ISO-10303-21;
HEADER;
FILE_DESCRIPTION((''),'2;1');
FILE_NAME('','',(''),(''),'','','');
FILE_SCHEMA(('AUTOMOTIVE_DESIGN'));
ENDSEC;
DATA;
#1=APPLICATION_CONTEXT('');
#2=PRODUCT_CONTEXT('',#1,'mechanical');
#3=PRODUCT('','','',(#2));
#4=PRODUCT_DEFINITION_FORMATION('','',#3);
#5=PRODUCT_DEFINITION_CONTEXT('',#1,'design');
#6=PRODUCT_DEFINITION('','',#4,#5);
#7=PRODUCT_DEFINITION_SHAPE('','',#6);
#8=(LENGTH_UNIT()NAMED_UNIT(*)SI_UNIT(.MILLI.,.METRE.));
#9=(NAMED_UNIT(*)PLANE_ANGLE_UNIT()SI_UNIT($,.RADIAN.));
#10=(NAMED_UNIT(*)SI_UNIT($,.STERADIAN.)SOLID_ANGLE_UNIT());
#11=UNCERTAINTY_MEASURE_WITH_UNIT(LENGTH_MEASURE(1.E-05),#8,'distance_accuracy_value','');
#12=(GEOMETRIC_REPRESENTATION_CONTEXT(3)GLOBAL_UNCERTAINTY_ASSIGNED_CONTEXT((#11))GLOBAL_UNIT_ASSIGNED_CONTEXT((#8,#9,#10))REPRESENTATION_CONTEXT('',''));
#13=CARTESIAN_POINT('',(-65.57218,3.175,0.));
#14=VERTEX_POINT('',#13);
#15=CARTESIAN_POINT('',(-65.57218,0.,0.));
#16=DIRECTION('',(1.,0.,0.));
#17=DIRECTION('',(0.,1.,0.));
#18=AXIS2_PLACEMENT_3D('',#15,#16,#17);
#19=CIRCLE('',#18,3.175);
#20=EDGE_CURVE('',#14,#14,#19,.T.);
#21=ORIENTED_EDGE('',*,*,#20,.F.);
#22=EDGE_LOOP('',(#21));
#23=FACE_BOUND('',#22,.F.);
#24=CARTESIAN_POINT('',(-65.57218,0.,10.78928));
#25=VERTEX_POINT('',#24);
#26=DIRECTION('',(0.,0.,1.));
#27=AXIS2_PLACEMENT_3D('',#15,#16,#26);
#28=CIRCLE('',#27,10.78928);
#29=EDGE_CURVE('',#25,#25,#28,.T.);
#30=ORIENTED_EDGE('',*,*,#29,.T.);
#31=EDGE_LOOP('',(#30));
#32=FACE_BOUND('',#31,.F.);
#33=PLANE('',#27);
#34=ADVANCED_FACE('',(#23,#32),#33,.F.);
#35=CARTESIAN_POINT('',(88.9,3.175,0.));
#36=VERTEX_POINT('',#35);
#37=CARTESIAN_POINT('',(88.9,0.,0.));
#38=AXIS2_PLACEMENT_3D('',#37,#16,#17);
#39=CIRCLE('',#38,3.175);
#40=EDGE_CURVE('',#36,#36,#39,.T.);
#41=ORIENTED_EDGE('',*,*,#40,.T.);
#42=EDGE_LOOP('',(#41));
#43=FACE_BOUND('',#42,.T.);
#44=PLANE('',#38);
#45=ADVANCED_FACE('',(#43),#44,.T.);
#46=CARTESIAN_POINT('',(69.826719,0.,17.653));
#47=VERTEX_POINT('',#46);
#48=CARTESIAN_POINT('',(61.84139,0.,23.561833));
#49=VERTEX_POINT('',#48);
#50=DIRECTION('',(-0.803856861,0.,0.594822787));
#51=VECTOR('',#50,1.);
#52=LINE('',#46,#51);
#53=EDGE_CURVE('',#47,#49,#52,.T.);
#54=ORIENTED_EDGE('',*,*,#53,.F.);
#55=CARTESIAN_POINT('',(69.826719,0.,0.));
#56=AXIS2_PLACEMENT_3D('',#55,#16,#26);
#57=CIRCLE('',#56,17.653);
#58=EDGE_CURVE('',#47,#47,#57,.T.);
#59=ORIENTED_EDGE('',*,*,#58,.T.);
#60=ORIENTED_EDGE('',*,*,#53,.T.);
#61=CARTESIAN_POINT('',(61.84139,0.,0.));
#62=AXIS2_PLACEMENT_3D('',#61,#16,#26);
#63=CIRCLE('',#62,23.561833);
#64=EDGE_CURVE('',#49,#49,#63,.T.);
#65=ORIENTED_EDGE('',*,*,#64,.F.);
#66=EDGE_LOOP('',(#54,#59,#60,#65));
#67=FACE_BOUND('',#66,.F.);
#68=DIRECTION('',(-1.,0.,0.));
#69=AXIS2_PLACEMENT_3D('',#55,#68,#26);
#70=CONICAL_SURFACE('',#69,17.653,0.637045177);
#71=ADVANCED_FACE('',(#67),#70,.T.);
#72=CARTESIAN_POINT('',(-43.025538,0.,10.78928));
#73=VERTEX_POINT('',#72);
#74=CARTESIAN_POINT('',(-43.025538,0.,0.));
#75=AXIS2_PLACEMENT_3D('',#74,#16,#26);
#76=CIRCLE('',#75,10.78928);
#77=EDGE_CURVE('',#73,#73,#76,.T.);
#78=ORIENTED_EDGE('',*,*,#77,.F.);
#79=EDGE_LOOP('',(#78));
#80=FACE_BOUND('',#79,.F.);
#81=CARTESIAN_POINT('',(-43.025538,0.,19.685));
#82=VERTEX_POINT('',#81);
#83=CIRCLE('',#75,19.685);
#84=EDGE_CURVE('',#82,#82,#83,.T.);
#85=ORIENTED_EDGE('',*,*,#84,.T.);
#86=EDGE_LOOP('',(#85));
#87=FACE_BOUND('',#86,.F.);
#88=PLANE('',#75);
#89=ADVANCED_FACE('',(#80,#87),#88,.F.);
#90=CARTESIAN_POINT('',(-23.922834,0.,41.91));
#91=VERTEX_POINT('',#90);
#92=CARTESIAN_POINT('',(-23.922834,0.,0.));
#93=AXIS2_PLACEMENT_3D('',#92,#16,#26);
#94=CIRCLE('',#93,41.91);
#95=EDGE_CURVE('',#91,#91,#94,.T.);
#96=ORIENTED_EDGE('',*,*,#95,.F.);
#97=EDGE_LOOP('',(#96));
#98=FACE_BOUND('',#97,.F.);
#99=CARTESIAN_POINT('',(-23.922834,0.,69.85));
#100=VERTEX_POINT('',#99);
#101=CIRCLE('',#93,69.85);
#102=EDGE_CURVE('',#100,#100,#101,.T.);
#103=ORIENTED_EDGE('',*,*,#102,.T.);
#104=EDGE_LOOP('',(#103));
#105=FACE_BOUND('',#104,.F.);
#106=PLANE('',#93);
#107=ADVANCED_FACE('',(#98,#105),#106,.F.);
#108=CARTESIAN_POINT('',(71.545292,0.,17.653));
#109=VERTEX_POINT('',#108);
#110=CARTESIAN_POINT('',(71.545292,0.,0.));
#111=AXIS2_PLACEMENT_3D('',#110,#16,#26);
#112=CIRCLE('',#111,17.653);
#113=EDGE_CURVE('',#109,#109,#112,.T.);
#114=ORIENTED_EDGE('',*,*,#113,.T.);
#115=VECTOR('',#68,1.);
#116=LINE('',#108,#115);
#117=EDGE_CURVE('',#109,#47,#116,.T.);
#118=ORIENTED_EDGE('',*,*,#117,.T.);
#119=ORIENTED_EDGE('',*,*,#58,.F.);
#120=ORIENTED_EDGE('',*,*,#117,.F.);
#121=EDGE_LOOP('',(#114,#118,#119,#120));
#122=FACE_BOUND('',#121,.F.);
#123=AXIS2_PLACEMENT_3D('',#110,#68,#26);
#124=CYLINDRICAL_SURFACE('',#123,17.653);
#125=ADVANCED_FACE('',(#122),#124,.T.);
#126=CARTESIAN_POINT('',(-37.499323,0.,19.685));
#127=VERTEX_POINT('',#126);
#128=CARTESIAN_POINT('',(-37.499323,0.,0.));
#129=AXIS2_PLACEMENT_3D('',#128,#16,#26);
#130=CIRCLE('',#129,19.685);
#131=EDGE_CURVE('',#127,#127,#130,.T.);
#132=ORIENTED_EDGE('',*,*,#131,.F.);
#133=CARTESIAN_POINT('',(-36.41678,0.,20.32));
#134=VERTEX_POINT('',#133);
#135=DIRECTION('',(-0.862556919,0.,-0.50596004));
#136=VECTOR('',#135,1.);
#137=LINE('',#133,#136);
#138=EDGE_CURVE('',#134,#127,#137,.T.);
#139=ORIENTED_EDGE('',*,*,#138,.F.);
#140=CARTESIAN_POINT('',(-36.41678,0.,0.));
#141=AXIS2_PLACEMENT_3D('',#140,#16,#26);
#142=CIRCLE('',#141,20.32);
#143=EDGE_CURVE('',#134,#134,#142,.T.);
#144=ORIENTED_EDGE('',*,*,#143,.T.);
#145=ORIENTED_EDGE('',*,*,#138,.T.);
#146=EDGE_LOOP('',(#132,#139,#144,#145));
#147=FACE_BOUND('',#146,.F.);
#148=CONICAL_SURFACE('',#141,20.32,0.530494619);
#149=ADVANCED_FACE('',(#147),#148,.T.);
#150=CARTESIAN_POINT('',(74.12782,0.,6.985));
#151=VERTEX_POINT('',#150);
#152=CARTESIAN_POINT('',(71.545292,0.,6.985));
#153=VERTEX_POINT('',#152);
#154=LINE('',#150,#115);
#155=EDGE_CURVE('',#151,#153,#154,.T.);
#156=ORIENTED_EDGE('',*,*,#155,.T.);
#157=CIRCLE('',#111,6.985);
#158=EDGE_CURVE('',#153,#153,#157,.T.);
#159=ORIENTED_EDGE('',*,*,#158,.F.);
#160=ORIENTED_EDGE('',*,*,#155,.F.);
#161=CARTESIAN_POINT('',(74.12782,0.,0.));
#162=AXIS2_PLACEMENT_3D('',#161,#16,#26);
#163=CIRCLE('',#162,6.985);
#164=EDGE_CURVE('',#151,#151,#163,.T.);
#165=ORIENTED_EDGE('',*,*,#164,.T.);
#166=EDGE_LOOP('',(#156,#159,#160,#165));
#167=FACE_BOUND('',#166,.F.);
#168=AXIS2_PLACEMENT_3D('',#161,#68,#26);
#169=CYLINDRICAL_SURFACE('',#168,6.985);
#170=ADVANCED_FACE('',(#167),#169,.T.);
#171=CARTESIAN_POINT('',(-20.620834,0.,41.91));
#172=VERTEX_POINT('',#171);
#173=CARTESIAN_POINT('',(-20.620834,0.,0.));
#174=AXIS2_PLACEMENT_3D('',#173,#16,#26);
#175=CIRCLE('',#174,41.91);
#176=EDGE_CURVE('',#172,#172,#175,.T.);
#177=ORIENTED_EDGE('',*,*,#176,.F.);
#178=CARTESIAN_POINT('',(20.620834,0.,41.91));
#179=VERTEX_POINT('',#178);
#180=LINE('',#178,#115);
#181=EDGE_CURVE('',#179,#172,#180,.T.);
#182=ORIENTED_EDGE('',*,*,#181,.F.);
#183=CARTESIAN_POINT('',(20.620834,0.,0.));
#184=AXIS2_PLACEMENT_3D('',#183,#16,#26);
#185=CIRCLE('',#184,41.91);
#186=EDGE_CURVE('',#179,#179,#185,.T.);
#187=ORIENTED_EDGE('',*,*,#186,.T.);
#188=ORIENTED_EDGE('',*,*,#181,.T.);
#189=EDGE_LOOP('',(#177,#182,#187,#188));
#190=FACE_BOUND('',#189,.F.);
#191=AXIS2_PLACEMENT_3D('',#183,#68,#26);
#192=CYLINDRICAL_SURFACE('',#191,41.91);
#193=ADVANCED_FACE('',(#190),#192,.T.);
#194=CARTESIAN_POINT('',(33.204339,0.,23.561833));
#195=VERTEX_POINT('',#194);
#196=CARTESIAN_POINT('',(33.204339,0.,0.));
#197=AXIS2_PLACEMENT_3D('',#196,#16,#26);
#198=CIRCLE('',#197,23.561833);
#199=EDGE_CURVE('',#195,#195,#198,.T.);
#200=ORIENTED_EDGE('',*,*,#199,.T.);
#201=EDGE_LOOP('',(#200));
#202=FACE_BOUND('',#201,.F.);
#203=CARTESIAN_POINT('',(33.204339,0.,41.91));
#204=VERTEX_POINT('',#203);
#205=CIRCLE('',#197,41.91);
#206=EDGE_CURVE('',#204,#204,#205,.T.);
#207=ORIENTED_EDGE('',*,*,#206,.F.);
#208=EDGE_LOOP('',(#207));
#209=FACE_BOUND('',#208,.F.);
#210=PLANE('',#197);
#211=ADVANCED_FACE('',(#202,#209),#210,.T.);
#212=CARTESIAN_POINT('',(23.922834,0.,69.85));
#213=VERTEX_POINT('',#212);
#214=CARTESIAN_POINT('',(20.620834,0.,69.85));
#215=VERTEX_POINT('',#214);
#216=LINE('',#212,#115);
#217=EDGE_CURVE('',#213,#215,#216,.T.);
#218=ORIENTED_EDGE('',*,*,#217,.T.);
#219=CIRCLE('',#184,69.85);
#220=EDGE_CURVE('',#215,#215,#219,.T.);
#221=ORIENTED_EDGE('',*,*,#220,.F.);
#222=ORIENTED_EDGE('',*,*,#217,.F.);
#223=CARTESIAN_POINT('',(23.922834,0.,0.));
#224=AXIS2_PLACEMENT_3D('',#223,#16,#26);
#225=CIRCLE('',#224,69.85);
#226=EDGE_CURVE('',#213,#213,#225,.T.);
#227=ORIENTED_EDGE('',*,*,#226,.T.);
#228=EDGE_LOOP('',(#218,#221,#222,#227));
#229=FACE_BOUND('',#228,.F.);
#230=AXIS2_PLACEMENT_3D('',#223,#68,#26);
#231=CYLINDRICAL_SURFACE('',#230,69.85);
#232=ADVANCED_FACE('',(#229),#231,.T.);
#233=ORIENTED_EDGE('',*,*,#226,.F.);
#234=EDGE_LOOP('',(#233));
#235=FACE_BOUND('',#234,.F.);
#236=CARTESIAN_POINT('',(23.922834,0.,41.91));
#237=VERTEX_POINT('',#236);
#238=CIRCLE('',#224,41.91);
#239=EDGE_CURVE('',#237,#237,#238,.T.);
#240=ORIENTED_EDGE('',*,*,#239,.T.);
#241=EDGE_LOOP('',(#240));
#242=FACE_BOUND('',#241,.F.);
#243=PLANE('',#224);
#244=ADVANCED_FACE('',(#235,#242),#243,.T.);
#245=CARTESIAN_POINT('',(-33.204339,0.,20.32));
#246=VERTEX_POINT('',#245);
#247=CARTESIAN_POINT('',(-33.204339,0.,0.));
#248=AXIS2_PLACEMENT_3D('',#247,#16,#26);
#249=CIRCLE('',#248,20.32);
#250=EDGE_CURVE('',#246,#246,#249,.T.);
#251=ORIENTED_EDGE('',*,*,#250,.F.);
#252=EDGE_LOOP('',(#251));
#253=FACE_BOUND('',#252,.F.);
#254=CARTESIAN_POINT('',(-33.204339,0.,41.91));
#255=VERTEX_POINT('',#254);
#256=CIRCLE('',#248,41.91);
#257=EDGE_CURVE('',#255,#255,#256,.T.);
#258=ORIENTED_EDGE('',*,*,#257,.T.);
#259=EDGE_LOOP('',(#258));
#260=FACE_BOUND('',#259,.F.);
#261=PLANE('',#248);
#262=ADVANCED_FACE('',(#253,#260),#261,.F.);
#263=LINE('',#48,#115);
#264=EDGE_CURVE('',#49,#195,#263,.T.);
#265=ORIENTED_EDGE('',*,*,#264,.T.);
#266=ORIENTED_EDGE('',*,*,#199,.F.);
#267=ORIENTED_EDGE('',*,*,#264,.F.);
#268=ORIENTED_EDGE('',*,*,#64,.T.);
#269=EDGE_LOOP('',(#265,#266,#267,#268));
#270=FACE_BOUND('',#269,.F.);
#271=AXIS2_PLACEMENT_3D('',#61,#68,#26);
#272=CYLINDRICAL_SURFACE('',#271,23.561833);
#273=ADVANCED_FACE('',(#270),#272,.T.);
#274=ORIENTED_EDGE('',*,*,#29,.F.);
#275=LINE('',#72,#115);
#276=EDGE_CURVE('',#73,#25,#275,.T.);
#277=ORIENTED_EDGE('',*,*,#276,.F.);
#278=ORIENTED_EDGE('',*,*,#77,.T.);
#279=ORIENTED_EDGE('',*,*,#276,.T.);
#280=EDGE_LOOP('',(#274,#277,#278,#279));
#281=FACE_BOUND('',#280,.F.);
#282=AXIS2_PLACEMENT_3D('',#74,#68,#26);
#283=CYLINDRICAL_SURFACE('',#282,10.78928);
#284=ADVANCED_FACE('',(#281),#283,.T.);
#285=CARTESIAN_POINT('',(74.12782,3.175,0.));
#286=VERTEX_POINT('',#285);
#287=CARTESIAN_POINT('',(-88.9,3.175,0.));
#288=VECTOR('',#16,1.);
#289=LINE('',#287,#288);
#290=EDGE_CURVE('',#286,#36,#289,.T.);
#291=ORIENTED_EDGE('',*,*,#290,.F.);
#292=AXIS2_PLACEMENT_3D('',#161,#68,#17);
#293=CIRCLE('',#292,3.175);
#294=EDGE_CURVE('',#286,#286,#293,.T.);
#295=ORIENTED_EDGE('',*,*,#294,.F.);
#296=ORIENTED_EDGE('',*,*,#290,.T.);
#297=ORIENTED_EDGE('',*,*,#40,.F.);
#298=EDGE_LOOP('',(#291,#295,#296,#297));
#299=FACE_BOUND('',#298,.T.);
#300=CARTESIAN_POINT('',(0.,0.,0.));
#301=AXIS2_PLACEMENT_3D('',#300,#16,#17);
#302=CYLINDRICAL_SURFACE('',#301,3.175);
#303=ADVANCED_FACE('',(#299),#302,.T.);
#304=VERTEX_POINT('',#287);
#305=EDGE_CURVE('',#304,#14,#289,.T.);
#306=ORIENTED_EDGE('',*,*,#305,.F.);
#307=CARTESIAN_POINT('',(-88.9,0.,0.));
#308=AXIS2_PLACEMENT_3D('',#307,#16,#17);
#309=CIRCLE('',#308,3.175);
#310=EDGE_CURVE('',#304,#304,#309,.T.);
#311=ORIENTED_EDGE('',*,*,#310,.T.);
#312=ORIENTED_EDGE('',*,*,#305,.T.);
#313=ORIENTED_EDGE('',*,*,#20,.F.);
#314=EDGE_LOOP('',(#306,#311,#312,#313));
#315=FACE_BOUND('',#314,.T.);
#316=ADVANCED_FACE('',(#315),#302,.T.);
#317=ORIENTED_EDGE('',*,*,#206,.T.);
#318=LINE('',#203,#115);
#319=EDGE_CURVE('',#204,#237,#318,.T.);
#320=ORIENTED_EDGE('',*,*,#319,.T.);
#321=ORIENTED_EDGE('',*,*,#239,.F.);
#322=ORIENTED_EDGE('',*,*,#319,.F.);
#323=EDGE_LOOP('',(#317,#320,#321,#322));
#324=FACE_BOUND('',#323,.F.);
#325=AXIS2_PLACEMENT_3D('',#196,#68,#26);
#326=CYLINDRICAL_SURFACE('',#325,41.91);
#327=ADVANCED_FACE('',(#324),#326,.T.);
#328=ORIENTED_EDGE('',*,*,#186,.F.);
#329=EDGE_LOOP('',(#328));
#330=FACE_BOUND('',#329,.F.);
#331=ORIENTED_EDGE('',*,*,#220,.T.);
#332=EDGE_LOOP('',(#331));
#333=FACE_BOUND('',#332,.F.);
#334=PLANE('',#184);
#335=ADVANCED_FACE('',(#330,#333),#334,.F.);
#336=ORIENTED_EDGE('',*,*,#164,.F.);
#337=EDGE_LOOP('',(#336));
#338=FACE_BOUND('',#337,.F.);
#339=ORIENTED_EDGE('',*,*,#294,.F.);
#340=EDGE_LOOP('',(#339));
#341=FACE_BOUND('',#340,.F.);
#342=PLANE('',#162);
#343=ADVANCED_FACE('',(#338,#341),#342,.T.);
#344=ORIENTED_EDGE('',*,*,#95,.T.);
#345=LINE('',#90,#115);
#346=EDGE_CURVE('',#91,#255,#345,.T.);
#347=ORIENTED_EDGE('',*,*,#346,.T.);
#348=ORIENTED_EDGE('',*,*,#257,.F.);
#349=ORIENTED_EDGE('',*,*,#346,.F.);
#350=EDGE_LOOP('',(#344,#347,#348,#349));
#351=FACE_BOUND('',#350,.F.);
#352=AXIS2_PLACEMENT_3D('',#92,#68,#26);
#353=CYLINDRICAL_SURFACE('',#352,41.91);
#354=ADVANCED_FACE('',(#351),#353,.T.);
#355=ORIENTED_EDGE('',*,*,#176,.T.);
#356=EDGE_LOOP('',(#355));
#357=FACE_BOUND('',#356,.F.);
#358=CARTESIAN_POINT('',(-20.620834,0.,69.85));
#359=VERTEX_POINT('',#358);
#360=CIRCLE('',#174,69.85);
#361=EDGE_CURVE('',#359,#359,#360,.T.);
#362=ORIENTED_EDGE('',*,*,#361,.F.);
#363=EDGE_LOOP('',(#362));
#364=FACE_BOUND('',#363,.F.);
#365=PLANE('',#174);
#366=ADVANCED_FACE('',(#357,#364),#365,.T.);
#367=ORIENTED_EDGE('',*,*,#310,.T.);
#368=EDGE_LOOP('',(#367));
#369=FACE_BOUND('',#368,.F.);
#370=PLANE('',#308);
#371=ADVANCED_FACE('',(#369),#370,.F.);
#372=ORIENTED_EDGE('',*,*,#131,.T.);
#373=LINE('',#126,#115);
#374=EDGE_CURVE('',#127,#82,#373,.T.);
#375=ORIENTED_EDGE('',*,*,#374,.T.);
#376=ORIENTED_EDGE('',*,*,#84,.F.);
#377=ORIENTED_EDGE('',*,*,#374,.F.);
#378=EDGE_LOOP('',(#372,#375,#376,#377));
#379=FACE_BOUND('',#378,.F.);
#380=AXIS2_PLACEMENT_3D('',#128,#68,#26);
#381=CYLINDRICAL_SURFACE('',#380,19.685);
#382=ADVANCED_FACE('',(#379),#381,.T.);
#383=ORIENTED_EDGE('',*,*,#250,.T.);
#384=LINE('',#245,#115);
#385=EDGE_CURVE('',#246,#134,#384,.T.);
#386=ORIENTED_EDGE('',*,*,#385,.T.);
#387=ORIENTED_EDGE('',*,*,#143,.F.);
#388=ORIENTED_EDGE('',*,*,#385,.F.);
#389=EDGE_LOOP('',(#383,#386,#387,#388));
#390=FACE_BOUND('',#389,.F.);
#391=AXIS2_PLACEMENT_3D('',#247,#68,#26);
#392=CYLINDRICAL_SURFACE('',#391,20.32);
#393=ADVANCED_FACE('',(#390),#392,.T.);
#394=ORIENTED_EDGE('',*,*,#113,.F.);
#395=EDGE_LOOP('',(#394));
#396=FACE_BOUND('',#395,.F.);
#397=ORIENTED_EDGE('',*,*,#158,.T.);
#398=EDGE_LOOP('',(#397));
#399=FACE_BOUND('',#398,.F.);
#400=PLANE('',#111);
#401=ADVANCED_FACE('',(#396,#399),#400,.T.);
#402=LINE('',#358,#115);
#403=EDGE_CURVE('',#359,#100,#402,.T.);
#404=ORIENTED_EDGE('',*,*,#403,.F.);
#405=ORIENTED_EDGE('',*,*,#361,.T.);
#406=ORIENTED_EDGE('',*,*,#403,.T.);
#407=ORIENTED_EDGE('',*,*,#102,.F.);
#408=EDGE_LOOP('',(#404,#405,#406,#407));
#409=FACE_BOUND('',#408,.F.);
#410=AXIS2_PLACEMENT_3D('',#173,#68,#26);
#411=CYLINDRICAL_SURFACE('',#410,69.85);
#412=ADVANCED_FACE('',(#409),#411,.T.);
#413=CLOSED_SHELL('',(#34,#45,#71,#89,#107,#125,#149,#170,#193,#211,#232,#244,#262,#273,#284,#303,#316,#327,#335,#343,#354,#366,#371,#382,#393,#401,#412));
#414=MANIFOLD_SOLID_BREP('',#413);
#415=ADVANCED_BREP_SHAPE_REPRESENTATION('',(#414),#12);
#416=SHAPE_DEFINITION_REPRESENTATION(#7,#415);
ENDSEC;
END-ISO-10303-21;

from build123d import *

# Parameters (mm, degrees)
F0_R     = 3.175
F1_DEPTH = 88.9


with BuildPart() as f1:
    # F0 (on Right) → F1 (new body, symmetric)
    with BuildSketch(Plane.YZ):
        Circle(F0_R)
    extrude(amount=F1_DEPTH, both=True)

    # F2 (on Front) → F3 (revolve)
    with BuildSketch(Plane.XZ):
        Polygon((-65.5721798539, 10.789279826), (-65.5721798539, 3.175), (74.1278201461, 3.175), (74.1278201461, 6.985), (71.5452923138, 6.985), (71.5452923138, 17.653), (69.8267191484, 17.653), (61.8413901258, 23.561832648), (33.2043394446, 23.561832648), (33.2043394446, 41.91), (23.9228336141, 41.91), (23.9228336141, 69.85), (20.6208336141, 69.85), (20.6208336141, 41.91), (-20.6208336141, 41.91), (-20.6208336141, 69.85), (-23.9228336141, 69.85), (-23.9228336141, 41.91), (-33.2043394446, 41.91), (-33.2043394446, 20.32), (-36.4167802036, 20.32), (-37.4993234873, 19.685), (-43.0255383253, 19.685), (-43.0255383253, 10.789279826), align=None)
    revolve(axis=Axis((54.40691486, 0, 0), (1, 0, 0)))


solid = f1.part
